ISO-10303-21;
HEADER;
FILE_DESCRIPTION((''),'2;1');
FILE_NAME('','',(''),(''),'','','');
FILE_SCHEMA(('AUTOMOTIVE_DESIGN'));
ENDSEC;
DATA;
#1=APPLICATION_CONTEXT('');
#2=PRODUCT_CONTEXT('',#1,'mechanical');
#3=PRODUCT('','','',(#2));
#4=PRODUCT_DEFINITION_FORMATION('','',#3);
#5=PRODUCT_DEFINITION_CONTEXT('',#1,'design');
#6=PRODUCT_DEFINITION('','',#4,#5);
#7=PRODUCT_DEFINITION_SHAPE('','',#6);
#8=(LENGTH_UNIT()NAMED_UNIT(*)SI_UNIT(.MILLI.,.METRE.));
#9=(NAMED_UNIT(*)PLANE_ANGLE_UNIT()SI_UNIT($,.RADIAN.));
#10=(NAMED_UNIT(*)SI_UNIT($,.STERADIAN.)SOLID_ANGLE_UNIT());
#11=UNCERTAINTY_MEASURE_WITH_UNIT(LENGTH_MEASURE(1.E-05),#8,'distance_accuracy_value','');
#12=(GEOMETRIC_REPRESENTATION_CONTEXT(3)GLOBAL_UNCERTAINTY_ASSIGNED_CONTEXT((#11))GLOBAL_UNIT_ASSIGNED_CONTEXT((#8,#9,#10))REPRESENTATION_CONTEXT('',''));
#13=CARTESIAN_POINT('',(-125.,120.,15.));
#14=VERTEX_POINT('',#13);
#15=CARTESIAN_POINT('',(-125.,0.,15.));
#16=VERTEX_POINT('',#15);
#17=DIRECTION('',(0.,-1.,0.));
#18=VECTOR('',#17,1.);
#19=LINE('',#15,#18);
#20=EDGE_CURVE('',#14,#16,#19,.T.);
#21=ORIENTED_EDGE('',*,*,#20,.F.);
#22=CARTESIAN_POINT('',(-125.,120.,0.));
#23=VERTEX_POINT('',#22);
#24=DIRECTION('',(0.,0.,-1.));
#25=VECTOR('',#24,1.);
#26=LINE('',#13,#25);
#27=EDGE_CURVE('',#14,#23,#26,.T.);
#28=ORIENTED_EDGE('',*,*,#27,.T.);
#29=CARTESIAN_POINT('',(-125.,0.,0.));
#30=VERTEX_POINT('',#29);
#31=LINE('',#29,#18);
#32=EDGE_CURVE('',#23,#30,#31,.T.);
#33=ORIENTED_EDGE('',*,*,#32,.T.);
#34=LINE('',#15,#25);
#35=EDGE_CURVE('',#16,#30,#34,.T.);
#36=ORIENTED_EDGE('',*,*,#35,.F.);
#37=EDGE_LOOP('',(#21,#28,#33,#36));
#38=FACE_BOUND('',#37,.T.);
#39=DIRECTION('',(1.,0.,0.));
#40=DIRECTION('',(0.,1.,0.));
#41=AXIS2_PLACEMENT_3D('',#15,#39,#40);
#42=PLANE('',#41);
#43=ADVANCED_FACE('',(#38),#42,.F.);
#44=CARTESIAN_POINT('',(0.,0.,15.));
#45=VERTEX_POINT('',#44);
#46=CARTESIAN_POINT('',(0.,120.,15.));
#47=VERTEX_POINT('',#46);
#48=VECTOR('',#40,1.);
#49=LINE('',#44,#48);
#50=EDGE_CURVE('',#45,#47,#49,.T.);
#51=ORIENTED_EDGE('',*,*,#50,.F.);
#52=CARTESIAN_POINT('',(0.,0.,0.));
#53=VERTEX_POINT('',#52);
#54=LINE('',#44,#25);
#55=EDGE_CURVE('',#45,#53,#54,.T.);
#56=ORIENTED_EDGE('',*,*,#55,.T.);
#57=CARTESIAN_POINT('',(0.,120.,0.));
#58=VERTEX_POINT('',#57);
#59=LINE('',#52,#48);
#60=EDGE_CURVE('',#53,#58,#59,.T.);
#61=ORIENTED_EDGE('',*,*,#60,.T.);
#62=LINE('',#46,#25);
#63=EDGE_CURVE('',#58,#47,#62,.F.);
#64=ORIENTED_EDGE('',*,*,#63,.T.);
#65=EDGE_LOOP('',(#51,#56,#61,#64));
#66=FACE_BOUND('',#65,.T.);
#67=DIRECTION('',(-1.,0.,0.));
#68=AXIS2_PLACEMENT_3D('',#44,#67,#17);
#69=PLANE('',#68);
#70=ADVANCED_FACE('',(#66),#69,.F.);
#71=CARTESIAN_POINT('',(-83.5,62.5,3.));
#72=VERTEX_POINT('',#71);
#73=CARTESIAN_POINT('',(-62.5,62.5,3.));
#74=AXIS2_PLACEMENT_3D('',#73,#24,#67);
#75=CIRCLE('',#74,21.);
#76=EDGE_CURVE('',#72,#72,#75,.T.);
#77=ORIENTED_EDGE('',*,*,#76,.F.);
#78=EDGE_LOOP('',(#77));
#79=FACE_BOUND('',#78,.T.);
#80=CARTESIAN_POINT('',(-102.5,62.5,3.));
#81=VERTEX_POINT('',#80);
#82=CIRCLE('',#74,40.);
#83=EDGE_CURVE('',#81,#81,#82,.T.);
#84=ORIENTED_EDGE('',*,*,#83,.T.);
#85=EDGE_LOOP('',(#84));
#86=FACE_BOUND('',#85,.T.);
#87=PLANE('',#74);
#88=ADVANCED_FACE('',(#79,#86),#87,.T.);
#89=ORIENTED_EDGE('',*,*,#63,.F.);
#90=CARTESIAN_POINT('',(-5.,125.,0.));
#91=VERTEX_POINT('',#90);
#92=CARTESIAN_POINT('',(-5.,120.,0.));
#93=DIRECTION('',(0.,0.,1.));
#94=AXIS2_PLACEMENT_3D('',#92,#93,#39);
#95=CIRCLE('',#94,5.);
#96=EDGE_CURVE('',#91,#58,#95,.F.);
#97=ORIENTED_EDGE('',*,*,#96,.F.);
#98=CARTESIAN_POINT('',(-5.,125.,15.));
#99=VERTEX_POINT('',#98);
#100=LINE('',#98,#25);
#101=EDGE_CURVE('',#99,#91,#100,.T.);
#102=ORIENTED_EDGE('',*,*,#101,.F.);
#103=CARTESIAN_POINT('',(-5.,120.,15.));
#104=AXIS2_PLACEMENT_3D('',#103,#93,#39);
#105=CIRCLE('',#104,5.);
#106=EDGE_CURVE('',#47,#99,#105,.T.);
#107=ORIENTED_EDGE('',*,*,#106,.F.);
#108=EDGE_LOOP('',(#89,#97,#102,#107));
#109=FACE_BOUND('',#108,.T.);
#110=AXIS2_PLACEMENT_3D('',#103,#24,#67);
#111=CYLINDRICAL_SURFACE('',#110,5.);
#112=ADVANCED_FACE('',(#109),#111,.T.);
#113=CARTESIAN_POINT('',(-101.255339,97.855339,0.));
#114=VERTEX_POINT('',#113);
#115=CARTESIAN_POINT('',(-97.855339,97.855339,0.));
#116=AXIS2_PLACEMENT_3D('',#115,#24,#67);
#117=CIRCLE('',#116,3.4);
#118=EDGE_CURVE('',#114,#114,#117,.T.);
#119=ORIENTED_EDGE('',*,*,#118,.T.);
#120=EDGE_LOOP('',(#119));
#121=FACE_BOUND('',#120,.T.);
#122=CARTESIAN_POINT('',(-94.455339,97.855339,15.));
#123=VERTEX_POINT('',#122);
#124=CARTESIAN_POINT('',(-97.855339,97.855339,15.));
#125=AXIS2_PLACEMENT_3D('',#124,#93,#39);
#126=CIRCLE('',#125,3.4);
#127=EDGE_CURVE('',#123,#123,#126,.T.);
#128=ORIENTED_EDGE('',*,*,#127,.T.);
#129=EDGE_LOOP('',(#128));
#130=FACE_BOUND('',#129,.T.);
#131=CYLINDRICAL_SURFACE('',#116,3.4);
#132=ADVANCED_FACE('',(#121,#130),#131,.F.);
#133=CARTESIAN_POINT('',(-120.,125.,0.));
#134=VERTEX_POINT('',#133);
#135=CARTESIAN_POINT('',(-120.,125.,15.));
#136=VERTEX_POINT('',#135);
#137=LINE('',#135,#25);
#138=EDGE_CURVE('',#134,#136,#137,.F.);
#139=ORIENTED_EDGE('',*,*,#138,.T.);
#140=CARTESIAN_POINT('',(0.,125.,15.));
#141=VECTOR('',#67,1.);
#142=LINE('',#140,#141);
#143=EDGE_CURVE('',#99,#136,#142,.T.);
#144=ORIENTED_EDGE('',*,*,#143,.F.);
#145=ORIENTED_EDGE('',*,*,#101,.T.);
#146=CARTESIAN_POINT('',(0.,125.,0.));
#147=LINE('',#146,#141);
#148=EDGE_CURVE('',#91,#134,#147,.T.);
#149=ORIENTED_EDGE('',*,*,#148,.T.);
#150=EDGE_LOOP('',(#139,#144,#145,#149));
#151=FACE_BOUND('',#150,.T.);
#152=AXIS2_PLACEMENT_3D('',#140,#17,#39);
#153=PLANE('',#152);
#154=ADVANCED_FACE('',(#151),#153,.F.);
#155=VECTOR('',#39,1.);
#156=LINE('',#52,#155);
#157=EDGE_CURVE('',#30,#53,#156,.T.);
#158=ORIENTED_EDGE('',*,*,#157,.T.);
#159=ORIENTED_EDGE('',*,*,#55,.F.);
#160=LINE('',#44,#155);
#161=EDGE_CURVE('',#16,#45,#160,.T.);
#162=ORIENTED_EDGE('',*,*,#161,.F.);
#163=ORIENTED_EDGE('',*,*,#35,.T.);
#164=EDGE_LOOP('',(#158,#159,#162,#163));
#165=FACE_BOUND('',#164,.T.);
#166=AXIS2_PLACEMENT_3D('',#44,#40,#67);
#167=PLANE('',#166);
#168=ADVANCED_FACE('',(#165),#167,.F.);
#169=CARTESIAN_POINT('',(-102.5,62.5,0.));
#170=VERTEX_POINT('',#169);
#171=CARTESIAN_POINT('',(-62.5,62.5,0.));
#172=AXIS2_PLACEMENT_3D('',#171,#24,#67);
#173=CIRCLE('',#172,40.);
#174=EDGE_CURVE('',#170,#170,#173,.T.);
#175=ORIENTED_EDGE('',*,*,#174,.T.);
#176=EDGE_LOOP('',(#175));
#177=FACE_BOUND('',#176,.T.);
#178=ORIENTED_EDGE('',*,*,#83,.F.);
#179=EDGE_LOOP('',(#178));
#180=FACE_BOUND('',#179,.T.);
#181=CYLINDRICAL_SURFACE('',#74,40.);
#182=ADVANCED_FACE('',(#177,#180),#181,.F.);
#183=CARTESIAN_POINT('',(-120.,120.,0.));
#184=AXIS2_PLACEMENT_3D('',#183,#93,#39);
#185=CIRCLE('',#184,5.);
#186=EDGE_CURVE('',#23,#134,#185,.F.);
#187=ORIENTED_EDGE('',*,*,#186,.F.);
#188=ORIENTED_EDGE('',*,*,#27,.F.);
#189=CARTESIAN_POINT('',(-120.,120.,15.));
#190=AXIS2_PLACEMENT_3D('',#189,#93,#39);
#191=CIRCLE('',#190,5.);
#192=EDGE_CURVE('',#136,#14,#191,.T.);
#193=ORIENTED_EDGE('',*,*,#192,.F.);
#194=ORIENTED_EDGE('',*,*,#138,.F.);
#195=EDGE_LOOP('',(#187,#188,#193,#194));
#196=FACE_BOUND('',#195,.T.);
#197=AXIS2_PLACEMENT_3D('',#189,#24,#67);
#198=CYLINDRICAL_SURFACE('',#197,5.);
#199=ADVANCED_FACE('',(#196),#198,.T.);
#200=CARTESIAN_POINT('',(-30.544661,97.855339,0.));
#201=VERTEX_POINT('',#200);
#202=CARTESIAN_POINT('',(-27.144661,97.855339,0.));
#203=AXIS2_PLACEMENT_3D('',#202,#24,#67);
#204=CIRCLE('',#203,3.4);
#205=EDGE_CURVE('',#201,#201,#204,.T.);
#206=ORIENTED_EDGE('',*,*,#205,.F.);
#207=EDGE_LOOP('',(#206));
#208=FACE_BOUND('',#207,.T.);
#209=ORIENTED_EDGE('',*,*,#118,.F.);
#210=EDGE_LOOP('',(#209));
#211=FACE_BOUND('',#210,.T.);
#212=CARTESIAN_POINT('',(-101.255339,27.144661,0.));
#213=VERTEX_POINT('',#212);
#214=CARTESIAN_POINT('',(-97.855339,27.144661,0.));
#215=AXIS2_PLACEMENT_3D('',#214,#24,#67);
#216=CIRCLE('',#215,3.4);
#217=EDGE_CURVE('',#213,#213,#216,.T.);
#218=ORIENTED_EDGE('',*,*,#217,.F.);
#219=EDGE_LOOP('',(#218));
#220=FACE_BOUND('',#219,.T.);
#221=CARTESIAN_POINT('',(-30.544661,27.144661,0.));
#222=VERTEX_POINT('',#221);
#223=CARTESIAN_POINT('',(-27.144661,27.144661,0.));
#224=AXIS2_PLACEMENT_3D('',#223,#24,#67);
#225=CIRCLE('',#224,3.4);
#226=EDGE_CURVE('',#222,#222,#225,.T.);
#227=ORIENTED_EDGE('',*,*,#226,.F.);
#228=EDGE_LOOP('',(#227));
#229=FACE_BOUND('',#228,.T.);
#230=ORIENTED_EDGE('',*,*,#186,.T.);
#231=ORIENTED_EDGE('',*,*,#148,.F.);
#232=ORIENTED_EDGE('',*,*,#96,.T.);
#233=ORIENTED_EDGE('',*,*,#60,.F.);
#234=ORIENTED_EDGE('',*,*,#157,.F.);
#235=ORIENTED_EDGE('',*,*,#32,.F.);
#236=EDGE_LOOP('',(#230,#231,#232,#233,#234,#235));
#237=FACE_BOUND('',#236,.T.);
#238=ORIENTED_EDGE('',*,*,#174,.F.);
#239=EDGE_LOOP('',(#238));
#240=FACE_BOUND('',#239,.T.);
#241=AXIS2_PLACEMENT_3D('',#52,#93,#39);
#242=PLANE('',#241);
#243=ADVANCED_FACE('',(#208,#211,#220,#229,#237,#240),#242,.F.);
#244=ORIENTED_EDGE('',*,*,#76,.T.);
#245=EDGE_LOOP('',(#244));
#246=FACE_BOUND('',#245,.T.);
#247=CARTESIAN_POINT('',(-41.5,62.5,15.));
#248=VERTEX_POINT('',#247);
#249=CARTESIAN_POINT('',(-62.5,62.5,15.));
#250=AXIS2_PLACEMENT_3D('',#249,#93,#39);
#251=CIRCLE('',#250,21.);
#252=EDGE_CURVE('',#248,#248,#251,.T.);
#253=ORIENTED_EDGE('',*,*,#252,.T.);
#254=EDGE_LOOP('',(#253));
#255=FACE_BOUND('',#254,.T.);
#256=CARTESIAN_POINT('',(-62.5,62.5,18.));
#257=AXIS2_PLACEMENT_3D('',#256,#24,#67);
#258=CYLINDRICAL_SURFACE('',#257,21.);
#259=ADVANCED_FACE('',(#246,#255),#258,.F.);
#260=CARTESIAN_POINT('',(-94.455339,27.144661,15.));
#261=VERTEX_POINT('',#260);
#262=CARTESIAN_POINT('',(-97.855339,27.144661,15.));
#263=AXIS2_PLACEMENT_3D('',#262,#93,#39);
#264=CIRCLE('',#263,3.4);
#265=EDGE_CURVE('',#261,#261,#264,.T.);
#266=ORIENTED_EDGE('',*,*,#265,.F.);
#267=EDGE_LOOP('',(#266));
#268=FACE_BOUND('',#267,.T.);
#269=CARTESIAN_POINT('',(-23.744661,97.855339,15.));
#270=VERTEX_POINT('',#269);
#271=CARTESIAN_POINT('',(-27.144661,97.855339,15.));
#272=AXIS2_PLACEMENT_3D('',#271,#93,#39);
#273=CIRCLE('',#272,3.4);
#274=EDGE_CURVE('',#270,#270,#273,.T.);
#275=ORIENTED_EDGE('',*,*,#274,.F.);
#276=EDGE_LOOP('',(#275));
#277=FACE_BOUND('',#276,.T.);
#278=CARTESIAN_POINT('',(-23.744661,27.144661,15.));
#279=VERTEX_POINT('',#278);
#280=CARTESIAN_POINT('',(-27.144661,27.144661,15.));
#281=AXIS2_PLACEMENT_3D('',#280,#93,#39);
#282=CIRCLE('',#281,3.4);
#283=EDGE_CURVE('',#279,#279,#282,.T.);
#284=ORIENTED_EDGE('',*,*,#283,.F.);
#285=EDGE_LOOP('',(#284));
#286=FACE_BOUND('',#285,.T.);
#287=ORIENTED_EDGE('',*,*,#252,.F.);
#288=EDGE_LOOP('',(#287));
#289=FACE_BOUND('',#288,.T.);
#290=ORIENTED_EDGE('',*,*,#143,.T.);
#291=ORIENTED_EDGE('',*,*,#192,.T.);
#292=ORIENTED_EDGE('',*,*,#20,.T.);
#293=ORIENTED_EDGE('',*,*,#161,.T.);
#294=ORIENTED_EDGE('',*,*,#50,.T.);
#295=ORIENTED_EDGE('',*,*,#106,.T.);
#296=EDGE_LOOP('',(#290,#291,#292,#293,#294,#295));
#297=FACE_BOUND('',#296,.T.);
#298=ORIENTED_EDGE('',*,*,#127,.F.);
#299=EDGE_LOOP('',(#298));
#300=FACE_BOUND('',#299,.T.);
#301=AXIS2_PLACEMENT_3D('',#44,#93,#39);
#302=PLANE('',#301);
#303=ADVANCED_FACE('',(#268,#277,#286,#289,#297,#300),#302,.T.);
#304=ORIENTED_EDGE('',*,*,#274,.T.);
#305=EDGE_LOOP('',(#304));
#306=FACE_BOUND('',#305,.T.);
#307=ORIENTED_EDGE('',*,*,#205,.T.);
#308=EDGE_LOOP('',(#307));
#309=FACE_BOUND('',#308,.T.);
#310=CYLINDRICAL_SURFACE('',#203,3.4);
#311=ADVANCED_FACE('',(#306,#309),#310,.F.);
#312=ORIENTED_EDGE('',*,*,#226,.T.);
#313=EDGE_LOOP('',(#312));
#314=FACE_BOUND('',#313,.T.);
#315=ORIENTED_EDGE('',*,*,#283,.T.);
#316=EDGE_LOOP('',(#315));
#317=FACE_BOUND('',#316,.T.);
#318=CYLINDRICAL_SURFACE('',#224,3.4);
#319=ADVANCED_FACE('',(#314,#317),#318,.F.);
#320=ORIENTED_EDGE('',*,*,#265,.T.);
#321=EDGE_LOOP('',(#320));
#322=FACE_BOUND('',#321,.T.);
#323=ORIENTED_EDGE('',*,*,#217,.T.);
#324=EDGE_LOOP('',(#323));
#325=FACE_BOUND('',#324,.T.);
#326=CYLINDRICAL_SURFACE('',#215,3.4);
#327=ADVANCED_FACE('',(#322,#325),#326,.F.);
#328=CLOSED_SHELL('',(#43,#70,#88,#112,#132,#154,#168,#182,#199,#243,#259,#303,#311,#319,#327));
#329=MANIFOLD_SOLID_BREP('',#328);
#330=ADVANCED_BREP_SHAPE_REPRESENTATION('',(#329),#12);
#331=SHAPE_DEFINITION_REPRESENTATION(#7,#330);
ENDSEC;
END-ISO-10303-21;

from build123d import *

# Parameters (mm, degrees)
ESQUISSE1_W             = 125
ESQUISSE1_H             = 125
BOSS_EXTRU_1_DEPTH      = 15
ESQUISSE2_R             = 40
ENL_V_MAT_EXTRU_1_DEPTH = 3
CONG_1_R                = 5
ESQUISSE11_R            = 21
ENL_V_MAT_EXTRU_2_DEPTH = 15
TROU_TARAUD_M81_D       = 6.8
TROU_TARAUD_M81_DEPTH   = 22.25
TROU_TARAUD_M81_TIP     = 2.042926105


with BuildPart() as part:
    # Esquisse1 → Boss.-Extru.1 (new body)
    with BuildSketch(Plane.XY):
        with Locations((-62.5, 62.5)):
            Rectangle(ESQUISSE1_W, ESQUISSE1_H)
    extrude(amount=BOSS_EXTRU_1_DEPTH)

    # Esquisse2 → Enlèv. mat.-Extru.1 (cut)
    with BuildSketch(Plane(origin=(0, 0, 0), x_dir=(-1, 0, 0), z_dir=(0, 0, -1))):
        with Locations((62.5, 62.5)):
            Circle(ESQUISSE2_R)
    extrude(amount=-ENL_V_MAT_EXTRU_1_DEPTH, mode=Mode.SUBTRACT)

    # Congé1
    cong_1_edges = [part.edges().sort_by_distance(p)[0] for p in [
        (-125, 125, 7.5),
        (0, 125, 7.5),
    ]]
    fillet(cong_1_edges, radius=CONG_1_R)

    # Esquisse11 → Enlèv. mat.-Extru.2 (cut)
    with BuildSketch(Plane(origin=(0, 0, 3), x_dir=(-1, 0, 0), z_dir=(0, 0, -1))):
        with Locations((62.5, 62.5)):
            Circle(ESQUISSE11_R)
    extrude(amount=-ENL_V_MAT_EXTRU_2_DEPTH, mode=Mode.SUBTRACT)

    # Trou taraudé M81
    with Locations(Plane(origin=(0, 0, 0), x_dir=(-1, 0, 0), z_dir=(0, 0, -1))):
        with Locations((97.855339059, 97.855339059), (27.144660941, 97.855339059), (27.144660941, 27.144660941), (97.855339059, 27.144660941)):
            Hole(TROU_TARAUD_M81_D / 2, depth=TROU_TARAUD_M81_DEPTH)
            with Locations((0, 0, -(TROU_TARAUD_M81_DEPTH + TROU_TARAUD_M81_TIP / 2))):  # 118° drill point
                Cone(0, TROU_TARAUD_M81_D / 2, TROU_TARAUD_M81_TIP, mode=Mode.SUBTRACT)


solid = part.part
